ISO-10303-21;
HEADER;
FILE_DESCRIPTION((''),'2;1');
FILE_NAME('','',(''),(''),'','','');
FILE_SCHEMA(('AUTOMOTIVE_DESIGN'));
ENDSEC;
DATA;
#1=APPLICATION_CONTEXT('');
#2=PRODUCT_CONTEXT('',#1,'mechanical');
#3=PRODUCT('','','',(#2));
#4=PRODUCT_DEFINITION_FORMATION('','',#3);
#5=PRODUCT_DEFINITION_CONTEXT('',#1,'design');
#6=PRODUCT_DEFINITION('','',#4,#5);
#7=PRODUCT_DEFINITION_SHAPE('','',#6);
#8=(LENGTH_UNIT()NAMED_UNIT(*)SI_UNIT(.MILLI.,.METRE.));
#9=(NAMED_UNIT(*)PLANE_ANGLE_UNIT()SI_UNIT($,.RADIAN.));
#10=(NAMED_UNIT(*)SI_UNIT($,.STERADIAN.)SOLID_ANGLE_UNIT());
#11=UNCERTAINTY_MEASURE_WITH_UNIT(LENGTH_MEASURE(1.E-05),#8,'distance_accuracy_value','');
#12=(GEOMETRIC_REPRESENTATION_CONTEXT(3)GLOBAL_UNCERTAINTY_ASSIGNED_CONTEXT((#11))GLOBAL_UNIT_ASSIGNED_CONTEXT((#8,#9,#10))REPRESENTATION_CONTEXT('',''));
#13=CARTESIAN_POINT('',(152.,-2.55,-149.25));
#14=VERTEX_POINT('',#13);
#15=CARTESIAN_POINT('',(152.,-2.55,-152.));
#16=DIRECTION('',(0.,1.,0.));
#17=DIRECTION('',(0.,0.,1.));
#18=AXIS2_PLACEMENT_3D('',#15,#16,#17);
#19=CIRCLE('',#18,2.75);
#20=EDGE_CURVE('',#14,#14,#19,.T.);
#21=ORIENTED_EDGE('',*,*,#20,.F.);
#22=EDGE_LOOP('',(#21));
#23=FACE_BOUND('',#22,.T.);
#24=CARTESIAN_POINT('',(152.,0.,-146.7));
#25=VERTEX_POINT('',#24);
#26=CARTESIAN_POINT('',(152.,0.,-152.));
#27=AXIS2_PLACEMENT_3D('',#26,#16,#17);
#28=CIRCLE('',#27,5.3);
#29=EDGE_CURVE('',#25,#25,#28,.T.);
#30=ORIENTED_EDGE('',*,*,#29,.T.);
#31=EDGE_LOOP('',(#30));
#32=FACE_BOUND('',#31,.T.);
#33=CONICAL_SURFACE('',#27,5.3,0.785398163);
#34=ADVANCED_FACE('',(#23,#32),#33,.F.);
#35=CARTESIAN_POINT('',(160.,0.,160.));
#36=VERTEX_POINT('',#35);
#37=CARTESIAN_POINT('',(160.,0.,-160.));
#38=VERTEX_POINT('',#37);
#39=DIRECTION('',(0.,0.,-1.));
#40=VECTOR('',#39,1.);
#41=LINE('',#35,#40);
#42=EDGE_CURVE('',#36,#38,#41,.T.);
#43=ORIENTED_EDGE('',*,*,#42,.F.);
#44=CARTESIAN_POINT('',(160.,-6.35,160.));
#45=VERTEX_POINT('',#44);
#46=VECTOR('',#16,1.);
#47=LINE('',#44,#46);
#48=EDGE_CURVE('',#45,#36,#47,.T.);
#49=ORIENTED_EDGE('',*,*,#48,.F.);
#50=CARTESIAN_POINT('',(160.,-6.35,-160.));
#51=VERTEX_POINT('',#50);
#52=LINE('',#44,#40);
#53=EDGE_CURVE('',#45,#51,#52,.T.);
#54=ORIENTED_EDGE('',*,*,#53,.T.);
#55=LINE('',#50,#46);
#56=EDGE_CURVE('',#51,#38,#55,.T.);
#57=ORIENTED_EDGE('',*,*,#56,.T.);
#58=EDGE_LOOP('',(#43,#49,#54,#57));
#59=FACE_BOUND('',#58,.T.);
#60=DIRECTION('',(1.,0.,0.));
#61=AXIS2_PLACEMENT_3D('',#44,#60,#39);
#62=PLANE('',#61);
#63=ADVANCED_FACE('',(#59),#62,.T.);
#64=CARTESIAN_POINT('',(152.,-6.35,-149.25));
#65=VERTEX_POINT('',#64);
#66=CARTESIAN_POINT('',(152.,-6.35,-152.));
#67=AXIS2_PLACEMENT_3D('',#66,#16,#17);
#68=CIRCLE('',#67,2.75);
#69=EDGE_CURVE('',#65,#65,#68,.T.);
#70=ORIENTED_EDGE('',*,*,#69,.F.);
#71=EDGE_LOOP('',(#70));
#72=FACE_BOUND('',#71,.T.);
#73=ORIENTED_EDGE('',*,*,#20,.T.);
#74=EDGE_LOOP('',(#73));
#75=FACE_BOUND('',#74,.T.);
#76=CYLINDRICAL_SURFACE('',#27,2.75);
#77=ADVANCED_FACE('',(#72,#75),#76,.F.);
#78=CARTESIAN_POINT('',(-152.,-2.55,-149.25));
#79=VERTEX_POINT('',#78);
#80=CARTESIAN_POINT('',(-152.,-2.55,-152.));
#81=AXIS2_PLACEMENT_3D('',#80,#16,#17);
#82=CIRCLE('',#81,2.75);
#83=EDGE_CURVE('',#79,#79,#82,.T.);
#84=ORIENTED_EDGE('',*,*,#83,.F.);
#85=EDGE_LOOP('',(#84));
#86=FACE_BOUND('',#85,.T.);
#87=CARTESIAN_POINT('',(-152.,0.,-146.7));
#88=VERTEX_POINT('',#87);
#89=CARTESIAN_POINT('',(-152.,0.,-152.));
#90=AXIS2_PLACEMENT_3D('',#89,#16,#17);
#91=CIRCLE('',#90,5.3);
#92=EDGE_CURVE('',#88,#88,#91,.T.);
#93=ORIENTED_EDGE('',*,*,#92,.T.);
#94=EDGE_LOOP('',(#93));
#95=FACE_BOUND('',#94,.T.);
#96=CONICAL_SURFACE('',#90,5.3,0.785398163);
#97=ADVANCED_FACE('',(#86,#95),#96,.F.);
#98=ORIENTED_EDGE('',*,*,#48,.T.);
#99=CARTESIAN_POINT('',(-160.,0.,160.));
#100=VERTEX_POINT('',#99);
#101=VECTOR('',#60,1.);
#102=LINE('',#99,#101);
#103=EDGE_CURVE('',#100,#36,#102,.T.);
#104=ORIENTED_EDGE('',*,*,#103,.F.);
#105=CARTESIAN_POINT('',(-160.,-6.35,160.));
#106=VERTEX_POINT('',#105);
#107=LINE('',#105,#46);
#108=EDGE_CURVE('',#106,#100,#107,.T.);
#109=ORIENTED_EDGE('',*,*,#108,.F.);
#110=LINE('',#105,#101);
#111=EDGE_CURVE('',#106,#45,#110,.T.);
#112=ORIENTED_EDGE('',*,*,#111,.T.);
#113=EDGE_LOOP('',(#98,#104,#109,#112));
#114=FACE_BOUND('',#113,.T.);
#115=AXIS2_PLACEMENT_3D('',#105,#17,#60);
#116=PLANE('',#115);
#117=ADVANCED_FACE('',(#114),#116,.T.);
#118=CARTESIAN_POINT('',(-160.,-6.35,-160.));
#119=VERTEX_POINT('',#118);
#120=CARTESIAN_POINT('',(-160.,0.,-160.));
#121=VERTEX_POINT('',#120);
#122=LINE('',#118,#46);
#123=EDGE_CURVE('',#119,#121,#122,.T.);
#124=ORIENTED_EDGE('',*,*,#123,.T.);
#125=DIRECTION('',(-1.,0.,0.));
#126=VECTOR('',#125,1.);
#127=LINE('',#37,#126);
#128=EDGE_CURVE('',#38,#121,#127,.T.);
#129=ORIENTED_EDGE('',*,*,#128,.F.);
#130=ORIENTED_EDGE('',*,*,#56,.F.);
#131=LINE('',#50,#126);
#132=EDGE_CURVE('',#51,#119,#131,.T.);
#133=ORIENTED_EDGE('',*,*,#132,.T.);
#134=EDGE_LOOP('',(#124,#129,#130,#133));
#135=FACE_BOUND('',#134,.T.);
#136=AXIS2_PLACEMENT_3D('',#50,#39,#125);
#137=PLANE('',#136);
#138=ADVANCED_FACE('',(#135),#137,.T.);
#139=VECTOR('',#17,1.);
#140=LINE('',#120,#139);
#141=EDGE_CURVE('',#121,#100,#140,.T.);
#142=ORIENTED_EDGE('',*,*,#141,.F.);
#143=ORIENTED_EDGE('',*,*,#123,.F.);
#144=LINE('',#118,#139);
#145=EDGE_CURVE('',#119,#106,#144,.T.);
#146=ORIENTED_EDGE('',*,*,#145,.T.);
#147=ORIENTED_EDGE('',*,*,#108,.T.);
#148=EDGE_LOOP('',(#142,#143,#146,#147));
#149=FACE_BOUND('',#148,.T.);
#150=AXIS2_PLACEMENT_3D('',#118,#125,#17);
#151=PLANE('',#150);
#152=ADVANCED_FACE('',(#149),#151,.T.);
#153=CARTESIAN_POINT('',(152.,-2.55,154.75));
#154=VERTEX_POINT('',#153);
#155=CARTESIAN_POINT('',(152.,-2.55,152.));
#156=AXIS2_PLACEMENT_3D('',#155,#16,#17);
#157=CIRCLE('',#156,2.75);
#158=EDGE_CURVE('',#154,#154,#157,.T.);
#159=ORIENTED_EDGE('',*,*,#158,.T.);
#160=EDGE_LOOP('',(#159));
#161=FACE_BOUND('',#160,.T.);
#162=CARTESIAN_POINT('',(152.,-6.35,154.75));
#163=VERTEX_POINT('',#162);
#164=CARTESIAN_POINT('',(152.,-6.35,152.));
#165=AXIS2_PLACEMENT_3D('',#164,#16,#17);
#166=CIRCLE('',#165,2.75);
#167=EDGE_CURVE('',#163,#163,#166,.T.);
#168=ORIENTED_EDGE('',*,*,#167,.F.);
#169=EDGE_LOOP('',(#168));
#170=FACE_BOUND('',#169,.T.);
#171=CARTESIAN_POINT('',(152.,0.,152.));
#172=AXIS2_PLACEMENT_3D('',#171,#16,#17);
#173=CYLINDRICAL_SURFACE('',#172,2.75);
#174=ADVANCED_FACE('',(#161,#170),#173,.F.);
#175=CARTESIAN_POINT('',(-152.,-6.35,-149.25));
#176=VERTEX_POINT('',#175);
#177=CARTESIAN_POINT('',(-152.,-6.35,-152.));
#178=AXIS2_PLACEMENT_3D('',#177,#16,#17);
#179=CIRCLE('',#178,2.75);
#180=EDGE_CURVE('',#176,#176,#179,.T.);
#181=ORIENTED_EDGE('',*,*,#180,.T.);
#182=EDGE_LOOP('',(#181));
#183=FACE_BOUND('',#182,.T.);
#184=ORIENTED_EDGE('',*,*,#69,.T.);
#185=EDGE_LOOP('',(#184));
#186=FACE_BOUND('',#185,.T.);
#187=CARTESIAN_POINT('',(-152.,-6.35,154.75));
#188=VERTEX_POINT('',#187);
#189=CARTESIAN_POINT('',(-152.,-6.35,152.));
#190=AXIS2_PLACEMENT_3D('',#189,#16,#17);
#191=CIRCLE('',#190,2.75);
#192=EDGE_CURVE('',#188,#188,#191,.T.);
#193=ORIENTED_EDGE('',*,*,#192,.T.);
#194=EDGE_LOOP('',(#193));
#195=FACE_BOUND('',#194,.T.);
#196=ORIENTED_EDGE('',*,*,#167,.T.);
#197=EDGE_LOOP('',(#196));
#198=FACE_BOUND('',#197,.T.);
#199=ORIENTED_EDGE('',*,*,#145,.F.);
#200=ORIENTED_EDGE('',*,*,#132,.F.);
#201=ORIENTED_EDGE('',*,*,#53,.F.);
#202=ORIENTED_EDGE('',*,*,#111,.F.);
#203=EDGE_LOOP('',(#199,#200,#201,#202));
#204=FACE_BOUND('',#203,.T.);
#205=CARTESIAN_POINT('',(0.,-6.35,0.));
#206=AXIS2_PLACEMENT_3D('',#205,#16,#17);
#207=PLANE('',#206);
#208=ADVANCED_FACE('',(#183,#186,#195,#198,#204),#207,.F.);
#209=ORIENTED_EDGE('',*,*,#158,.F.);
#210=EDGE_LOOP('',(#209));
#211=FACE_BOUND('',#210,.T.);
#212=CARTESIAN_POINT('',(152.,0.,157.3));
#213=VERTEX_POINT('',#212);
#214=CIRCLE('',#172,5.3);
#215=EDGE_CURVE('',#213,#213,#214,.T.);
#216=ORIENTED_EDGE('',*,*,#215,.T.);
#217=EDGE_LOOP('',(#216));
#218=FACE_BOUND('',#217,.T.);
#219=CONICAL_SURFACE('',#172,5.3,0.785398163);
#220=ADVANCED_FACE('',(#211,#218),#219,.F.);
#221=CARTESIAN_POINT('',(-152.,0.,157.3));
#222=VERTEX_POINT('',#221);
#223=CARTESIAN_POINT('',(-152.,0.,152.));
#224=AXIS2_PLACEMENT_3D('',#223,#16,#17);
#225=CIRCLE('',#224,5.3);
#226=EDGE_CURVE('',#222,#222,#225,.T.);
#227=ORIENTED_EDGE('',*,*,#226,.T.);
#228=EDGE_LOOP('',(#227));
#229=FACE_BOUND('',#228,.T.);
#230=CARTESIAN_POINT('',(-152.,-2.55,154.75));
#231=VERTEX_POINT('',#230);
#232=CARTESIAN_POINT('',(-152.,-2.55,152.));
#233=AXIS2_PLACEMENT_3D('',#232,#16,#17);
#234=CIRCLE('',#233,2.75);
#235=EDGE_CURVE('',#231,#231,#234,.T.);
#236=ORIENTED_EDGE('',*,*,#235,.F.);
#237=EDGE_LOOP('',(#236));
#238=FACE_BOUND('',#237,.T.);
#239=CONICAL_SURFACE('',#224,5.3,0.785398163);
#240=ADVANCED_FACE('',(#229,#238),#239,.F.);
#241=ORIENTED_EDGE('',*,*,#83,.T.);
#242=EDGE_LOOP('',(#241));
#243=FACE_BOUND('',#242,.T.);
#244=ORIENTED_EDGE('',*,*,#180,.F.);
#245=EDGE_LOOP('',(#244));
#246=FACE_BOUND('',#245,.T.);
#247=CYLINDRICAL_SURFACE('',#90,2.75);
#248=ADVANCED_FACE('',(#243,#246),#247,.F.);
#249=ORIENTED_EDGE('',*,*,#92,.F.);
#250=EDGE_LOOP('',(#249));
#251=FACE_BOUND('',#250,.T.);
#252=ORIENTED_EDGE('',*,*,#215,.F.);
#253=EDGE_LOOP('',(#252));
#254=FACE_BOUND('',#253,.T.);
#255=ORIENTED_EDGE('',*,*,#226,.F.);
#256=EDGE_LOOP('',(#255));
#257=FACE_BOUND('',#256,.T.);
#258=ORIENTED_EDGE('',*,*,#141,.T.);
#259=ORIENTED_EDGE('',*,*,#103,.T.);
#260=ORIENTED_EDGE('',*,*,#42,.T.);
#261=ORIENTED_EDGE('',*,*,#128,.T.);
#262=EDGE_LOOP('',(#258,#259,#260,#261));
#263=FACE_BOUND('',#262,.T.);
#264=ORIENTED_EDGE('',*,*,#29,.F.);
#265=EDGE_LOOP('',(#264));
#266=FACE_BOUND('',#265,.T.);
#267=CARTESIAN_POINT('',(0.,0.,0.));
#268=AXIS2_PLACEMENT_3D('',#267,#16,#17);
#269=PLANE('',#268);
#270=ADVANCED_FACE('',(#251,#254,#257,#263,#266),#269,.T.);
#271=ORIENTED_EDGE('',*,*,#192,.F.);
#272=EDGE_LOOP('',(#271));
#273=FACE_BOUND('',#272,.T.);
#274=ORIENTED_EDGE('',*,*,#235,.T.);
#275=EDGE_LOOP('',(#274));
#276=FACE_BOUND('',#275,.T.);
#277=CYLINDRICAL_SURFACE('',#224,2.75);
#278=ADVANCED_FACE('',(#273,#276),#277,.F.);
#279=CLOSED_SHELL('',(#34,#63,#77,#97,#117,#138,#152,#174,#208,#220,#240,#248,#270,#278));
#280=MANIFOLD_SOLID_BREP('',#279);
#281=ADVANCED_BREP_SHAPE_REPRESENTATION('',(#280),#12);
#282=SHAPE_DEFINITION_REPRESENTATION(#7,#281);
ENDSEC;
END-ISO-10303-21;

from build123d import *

# Parameters (mm, degrees)
SKETCH1_W                                       = 320
SKETCH1_H                                       = 320
SKETCH1_R                                       = 2.525
BOSS_EXTRUDE1_DEPTH                             = 6.35
CSK_FOR_M5_FLAT_HEAD_MACHINE_SCREW1_D           = 5.5
CSK_FOR_M5_FLAT_HEAD_MACHINE_SCREW1_DEPTH       = 6.35
CSK_FOR_M5_FLAT_HEAD_MACHINE_SCREW1_CSINK_D     = 10.6
CSK_FOR_M5_FLAT_HEAD_MACHINE_SCREW1_CSINK_ANGLE = 90


with BuildPart() as part:
    # Sketch1 → Boss-Extrude1 (new body)
    with BuildSketch(Plane(origin=(0, 0, 0), x_dir=(1, 0, 0), z_dir=(0, 1, 0))):
        Rectangle(SKETCH1_W, SKETCH1_H)
        with Locations((152, 152)):
            Circle(SKETCH1_R, mode=Mode.SUBTRACT)
        with Locations((-152, -152)):
            Circle(SKETCH1_R, mode=Mode.SUBTRACT)
        with Locations((152, -152)):
            Circle(SKETCH1_R, mode=Mode.SUBTRACT)
        with Locations((-152, 152)):
            Circle(SKETCH1_R, mode=Mode.SUBTRACT)
    extrude(amount=-BOSS_EXTRUDE1_DEPTH)

    # CSK for M5 Flat Head Machine Screw1
    with Locations(Plane(origin=(-152, 0, -152), x_dir=(0, 0, 1), z_dir=(0, 1, 0))):
        with Locations((0, 0), (0, 304), (304, 304), (304, 0)):
            CounterSinkHole(CSK_FOR_M5_FLAT_HEAD_MACHINE_SCREW1_D / 2, CSK_FOR_M5_FLAT_HEAD_MACHINE_SCREW1_CSINK_D / 2, depth=CSK_FOR_M5_FLAT_HEAD_MACHINE_SCREW1_DEPTH, counter_sink_angle=CSK_FOR_M5_FLAT_HEAD_MACHINE_SCREW1_CSINK_ANGLE)


solid = part.part
